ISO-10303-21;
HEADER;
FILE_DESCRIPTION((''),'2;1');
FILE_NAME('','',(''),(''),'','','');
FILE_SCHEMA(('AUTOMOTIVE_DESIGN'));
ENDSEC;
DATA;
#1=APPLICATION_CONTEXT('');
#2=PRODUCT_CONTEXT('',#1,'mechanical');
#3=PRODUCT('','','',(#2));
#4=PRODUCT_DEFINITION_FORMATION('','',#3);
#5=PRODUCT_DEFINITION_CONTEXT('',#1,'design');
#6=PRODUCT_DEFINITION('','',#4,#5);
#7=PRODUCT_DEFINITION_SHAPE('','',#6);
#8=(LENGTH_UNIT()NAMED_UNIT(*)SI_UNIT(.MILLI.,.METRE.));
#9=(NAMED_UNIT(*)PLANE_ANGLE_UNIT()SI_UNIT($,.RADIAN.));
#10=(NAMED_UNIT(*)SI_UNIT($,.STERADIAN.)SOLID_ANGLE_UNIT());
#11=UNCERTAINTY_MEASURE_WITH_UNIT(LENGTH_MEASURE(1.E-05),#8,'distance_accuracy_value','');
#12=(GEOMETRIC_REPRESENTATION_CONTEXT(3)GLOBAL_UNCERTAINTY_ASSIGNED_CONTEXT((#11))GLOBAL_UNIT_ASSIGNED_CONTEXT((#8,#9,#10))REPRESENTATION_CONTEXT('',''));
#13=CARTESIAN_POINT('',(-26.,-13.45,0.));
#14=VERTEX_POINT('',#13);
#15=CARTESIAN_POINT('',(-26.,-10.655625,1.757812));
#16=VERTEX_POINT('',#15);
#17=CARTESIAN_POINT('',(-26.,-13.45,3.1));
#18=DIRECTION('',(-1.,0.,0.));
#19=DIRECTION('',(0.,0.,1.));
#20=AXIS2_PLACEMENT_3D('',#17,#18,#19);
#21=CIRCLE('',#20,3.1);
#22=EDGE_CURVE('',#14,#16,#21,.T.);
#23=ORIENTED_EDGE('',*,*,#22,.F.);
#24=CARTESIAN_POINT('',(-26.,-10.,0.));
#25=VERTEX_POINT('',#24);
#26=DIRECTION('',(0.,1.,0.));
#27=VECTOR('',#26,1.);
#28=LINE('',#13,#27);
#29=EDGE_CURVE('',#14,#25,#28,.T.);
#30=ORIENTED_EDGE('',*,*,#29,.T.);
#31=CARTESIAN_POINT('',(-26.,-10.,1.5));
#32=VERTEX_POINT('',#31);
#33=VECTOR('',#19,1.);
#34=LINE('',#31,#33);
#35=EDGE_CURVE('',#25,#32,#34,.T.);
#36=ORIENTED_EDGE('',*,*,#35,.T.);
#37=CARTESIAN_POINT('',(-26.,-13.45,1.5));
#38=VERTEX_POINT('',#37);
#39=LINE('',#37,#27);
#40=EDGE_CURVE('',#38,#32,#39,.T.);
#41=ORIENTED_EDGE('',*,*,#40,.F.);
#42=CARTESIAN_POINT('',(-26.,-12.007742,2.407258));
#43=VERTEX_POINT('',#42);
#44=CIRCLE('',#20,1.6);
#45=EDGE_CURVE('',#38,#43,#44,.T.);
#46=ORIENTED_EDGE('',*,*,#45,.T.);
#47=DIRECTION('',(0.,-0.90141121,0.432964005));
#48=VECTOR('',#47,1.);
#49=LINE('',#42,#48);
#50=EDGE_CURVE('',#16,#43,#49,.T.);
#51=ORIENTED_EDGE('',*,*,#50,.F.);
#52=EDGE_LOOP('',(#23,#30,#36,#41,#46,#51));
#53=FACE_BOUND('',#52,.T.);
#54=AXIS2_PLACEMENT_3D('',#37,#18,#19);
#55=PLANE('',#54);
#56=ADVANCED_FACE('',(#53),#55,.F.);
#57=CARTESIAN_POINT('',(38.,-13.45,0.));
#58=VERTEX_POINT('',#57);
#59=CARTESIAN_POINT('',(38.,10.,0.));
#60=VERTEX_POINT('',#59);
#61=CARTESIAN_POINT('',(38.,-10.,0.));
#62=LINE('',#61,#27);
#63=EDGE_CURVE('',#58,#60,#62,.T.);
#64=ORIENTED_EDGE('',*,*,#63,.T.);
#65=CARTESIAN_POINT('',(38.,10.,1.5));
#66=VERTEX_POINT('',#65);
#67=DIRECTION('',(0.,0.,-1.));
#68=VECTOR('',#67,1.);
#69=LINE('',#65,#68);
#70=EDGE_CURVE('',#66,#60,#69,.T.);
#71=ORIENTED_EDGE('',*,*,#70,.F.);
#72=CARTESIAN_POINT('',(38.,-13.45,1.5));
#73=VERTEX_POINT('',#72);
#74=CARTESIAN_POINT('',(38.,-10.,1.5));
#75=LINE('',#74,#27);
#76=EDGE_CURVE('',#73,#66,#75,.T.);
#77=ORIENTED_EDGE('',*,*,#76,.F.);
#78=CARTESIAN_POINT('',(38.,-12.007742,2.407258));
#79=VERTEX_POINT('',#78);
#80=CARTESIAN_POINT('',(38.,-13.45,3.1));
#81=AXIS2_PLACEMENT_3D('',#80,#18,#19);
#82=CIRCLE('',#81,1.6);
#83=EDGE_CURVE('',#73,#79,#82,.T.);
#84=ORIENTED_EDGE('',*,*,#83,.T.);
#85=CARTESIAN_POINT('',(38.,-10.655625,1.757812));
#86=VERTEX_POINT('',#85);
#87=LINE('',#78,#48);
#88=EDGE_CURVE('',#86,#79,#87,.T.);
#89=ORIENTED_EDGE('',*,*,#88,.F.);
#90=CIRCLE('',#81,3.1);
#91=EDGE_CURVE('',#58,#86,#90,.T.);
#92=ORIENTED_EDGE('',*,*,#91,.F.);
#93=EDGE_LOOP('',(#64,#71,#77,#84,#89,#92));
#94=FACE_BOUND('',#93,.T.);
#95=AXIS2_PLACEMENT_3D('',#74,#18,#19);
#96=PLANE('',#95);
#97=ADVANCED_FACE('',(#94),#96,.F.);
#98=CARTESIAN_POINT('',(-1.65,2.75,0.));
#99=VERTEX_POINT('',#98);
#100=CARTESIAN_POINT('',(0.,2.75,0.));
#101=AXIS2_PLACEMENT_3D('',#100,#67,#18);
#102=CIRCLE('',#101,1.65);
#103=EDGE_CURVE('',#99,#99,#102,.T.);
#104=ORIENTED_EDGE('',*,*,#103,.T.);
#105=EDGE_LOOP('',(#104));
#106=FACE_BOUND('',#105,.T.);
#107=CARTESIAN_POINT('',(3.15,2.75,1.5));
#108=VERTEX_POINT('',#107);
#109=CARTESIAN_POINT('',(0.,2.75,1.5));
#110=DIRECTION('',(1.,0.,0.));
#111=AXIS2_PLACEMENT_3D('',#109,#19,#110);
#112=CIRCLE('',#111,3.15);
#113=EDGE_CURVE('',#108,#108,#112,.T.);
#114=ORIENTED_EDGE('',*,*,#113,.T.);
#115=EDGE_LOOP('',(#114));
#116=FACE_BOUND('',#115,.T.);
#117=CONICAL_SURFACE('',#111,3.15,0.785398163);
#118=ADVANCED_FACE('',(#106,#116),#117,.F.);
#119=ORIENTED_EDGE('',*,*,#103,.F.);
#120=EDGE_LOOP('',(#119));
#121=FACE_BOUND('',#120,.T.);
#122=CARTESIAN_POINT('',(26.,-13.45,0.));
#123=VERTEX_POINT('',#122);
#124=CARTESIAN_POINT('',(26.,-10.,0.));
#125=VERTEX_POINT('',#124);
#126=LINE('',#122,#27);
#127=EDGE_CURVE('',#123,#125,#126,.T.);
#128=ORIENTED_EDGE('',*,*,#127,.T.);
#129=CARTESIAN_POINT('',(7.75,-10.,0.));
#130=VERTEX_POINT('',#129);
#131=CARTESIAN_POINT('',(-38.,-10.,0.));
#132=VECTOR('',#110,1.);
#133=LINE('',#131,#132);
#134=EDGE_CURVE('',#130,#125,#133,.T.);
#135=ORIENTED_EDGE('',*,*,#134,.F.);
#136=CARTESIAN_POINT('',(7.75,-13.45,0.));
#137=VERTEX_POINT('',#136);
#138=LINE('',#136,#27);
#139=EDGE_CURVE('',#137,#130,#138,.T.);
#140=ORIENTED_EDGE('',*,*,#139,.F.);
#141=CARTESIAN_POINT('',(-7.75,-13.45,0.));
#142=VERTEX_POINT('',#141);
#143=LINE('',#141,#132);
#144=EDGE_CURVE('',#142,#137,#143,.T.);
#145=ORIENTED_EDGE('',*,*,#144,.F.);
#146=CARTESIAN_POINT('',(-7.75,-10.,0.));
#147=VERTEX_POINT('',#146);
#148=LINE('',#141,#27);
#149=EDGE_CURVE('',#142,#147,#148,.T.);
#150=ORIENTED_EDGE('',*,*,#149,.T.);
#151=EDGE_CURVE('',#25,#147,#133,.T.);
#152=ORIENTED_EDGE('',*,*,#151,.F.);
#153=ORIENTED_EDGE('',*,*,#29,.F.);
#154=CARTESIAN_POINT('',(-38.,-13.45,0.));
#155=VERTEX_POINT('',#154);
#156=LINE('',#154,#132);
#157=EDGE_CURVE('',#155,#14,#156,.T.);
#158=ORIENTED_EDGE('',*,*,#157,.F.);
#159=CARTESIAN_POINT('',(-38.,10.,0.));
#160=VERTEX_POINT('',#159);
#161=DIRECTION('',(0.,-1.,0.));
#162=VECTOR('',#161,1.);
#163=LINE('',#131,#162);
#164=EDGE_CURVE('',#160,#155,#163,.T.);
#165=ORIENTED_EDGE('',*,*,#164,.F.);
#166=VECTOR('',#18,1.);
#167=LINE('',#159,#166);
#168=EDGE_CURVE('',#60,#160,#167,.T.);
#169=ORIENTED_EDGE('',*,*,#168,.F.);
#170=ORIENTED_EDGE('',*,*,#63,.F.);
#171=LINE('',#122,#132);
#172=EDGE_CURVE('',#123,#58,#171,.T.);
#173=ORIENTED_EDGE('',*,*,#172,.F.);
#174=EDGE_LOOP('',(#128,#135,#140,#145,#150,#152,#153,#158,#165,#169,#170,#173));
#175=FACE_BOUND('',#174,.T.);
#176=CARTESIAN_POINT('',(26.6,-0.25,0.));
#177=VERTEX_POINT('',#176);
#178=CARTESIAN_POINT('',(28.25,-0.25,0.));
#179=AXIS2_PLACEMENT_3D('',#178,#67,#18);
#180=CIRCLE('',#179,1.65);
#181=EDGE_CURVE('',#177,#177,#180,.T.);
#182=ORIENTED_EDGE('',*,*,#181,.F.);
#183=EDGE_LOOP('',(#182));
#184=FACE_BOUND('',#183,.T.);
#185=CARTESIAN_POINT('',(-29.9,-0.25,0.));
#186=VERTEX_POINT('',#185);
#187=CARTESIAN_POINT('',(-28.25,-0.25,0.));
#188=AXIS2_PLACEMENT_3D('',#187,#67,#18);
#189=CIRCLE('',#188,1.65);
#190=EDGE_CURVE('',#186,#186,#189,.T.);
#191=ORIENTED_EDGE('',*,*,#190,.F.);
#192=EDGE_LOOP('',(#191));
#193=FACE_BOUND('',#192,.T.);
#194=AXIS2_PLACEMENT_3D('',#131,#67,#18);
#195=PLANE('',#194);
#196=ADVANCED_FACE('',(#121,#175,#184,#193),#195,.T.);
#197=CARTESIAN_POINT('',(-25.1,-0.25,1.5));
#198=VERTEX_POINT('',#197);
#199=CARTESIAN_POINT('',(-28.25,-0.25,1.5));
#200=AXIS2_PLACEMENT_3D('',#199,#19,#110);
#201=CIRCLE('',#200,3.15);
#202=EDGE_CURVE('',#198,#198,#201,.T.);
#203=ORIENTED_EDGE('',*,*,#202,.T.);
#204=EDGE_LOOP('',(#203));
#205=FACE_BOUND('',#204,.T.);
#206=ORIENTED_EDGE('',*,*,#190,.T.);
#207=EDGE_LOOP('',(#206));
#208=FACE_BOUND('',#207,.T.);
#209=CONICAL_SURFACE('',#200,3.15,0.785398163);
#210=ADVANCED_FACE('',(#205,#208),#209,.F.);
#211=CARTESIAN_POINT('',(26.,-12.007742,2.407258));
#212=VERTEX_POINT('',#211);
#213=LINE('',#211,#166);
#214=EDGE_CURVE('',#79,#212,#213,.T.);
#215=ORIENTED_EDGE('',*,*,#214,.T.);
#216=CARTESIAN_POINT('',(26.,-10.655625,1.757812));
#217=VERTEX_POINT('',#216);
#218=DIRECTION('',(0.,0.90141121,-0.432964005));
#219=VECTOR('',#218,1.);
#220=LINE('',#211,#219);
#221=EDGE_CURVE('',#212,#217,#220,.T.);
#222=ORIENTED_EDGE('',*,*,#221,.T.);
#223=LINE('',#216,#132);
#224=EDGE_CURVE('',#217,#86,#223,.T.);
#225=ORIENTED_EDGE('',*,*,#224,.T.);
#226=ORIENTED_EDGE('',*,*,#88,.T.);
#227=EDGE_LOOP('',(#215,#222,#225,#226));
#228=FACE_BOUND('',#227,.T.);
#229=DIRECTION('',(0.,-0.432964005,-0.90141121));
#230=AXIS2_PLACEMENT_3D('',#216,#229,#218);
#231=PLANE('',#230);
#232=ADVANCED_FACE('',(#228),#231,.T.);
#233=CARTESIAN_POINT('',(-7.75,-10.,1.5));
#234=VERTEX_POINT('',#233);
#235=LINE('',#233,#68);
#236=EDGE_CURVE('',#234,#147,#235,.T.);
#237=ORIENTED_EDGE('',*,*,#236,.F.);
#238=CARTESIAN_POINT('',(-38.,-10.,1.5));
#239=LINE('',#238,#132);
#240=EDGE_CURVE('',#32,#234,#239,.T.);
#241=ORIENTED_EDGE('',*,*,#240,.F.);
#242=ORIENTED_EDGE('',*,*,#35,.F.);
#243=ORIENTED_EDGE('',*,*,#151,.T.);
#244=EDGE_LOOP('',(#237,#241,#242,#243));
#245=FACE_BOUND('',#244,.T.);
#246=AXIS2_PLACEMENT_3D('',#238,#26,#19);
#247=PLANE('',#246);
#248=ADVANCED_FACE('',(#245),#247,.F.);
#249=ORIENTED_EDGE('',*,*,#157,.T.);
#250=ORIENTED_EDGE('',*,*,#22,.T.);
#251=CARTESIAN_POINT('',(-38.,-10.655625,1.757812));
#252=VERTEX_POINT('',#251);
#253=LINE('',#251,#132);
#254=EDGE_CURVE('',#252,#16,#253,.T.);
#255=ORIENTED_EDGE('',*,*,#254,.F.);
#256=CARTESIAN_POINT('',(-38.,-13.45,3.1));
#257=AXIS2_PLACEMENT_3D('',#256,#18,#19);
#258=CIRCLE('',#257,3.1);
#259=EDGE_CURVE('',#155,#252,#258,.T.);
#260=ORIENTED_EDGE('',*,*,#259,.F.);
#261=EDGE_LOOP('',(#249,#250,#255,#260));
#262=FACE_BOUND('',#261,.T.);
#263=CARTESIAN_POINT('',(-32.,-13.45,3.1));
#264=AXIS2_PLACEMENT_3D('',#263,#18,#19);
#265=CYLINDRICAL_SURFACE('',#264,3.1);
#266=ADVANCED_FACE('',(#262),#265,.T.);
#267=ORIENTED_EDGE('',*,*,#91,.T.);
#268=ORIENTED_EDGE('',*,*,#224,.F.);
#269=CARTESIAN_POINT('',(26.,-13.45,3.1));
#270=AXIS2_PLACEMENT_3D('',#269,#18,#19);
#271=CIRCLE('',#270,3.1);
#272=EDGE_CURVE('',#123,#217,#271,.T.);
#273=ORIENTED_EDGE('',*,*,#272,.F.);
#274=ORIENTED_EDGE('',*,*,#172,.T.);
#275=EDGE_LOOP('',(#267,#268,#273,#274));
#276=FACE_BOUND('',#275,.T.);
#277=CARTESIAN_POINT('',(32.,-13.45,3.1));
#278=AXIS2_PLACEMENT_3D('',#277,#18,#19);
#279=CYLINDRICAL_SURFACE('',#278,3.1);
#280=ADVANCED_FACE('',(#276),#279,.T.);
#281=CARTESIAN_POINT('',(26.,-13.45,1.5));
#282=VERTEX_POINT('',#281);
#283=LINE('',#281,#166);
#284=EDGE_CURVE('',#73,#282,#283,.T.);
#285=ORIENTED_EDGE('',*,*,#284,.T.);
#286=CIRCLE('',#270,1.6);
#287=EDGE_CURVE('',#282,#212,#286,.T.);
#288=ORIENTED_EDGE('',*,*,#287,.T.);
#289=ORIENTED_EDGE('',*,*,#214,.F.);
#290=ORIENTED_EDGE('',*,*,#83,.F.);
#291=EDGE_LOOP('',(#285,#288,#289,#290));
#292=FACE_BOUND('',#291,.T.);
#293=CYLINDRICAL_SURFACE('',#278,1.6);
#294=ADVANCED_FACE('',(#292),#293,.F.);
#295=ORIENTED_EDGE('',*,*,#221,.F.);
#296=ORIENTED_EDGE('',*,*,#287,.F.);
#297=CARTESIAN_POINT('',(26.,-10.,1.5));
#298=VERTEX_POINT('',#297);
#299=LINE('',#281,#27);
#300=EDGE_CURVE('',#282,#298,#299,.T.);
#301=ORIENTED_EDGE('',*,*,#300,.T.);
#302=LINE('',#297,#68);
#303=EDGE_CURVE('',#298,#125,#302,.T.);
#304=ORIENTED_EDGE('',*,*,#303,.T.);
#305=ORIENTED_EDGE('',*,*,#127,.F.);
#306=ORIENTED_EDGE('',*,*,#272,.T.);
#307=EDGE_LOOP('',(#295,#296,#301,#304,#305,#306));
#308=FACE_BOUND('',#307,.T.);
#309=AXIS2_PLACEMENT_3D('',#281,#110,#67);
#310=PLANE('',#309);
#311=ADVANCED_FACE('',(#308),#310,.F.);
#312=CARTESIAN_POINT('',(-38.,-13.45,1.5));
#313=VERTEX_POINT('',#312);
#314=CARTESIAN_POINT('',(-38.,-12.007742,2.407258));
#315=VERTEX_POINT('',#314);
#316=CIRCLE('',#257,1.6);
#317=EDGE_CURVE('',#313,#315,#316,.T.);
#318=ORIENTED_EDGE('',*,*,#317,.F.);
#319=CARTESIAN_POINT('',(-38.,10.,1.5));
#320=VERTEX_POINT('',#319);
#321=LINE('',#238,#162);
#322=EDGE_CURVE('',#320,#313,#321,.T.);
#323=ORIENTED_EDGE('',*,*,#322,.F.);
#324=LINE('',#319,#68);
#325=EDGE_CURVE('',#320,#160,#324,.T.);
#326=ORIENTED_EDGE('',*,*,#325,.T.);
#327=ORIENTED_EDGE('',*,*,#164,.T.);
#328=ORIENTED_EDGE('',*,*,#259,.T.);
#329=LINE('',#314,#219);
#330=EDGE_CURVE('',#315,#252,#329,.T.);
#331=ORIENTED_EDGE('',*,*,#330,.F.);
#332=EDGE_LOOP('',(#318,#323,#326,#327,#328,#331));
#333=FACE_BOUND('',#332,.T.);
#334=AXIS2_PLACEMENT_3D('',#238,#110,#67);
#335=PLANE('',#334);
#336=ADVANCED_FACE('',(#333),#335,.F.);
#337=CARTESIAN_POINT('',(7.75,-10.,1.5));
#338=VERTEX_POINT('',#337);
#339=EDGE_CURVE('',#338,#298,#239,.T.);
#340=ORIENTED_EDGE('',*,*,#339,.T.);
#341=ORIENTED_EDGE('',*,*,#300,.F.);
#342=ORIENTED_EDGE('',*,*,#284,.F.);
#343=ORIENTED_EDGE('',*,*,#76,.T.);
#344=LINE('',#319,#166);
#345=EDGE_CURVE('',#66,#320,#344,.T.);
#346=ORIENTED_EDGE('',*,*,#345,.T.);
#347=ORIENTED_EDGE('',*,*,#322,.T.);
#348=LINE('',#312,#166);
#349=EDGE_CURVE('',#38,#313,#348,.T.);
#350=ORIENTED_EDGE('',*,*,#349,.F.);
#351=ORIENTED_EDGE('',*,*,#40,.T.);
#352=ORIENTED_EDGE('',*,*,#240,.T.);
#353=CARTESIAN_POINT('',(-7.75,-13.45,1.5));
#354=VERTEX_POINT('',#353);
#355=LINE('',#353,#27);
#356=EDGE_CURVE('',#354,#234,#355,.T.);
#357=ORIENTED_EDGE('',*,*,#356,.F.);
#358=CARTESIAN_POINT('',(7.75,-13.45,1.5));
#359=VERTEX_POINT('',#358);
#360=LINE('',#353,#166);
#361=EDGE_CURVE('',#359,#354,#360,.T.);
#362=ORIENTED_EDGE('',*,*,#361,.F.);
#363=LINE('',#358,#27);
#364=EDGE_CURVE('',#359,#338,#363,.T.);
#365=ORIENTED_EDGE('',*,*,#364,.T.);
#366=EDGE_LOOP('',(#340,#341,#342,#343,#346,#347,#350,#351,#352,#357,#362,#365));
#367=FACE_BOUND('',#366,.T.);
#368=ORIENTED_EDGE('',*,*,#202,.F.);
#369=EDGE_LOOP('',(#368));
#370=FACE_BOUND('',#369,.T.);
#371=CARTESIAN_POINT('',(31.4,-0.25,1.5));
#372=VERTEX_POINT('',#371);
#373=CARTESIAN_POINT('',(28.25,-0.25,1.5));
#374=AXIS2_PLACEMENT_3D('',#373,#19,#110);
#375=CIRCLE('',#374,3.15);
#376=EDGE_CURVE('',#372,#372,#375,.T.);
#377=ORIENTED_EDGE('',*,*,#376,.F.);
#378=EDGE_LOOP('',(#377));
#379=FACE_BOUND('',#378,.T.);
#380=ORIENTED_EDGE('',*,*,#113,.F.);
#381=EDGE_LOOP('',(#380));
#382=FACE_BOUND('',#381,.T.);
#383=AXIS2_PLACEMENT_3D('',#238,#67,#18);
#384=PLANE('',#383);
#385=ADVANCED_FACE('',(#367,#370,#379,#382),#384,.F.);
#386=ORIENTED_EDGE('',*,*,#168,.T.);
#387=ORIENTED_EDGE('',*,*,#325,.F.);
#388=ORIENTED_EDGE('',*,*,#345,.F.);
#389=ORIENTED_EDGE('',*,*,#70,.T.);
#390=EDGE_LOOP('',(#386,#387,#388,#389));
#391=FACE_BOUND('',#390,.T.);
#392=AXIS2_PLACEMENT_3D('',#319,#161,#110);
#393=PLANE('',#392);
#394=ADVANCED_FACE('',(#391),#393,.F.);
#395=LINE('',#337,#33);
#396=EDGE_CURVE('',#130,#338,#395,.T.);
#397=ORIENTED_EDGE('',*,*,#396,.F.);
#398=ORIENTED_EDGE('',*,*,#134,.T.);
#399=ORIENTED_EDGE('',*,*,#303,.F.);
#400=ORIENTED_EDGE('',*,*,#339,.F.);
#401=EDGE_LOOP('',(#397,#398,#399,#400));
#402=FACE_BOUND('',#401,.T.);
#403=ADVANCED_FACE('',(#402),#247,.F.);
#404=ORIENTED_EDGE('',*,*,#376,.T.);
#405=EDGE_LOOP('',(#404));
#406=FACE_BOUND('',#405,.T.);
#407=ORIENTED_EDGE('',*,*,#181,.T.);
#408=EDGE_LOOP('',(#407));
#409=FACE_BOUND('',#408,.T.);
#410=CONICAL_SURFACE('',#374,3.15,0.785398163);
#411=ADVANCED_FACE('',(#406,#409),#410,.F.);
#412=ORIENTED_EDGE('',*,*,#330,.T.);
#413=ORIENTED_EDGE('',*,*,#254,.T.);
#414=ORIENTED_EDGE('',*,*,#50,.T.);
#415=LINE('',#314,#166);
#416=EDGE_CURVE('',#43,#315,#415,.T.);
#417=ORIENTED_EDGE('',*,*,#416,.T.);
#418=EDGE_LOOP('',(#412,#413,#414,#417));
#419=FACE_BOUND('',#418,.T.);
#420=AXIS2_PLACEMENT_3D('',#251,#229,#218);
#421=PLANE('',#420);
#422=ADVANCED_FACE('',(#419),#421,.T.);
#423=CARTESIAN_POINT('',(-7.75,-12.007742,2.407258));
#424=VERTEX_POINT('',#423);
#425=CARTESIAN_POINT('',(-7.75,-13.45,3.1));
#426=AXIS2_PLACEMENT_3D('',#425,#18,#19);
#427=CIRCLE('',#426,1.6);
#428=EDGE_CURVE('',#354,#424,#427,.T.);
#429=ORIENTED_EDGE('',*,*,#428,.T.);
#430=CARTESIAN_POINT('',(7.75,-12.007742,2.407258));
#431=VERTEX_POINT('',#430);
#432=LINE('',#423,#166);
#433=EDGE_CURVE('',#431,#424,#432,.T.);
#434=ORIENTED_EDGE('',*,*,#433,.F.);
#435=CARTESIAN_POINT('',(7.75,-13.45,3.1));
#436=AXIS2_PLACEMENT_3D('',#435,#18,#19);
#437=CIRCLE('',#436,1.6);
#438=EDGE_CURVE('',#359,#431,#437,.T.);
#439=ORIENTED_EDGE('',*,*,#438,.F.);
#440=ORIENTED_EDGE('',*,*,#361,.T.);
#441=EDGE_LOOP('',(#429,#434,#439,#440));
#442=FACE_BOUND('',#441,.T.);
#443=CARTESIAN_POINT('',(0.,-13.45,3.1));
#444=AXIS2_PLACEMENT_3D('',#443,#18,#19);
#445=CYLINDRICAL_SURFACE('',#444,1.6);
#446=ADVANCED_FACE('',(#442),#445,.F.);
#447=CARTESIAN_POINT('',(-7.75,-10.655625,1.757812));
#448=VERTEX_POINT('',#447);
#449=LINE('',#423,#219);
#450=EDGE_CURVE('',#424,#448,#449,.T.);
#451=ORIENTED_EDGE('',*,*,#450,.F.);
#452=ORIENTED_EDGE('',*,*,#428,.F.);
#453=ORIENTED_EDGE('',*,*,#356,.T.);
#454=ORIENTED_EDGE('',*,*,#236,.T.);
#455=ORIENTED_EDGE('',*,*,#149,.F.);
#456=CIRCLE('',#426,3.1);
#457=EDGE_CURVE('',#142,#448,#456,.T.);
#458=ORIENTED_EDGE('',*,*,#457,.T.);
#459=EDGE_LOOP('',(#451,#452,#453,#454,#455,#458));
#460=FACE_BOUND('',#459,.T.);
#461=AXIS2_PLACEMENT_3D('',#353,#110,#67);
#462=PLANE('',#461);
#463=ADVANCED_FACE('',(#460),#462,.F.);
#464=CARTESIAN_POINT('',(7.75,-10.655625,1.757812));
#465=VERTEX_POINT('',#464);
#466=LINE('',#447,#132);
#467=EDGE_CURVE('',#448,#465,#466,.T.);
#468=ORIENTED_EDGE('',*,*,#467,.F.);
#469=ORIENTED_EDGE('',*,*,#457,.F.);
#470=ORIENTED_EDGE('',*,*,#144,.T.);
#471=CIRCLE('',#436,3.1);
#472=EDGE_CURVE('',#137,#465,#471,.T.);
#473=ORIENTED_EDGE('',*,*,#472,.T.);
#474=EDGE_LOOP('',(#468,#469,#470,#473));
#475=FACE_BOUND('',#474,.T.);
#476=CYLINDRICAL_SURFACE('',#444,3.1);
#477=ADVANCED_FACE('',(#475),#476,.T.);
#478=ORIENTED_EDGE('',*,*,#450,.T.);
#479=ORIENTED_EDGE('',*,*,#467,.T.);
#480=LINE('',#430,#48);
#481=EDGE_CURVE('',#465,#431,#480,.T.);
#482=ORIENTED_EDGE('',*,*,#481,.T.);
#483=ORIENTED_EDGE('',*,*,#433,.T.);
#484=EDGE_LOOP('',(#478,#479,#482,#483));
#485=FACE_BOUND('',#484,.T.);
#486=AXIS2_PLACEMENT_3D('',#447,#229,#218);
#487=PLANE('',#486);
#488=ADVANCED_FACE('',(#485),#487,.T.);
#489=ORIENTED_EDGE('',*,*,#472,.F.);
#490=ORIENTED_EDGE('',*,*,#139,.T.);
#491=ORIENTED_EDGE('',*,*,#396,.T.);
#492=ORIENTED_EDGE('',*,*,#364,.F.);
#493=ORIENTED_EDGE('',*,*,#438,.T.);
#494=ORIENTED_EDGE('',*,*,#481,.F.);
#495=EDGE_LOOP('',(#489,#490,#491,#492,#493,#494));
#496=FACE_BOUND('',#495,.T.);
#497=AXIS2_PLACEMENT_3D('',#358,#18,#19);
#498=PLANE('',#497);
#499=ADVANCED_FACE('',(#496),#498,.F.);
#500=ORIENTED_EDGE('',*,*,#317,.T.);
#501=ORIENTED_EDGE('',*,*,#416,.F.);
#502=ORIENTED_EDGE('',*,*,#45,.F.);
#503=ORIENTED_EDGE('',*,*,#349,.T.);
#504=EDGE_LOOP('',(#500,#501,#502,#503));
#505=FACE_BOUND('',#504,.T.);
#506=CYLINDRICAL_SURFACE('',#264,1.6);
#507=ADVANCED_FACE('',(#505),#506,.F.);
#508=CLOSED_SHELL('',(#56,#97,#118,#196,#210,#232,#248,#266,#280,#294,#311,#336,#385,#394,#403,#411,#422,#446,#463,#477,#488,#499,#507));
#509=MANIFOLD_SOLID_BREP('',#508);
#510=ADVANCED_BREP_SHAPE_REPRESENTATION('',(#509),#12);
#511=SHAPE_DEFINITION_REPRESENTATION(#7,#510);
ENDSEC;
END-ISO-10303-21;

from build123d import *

# Parameters (mm, degrees)
SKETCH1_W                                    = 76
SKETCH1_H                                    = 20
EXTRUDE1_DEPTH                               = 1.5
SKETCH3_W                                    = 15.5
SKETCH3_H                                    = 1.5
SKETCH4_W                                    = 12
SKETCH4_H                                    = 1.5
SKETCH2_W                                    = 12
SKETCH2_H                                    = 1.5
CSK_FOR_M3_COUNTERSUNK_FLAT_HEAD_SCR_2_COUNT = 2
CSK_FOR_M3_COUNTERSUNK_FLAT_HEAD_SCR_2_PITCH = 28.408845453
CSK_FOR_M3_COUNTERSUNK_FLAT_HEAD_SCR_3_COUNT = 2
CSK_FOR_M3_COUNTERSUNK_FLAT_HEAD_SCR_3_PITCH = 56.5


with BuildPart() as part:
    # Sketch1 → Extrude1 (new body)
    with BuildSketch(Plane.XY):
        Rectangle(SKETCH1_W, SKETCH1_H)
    extrude(amount=EXTRUDE1_DEPTH)

    # Sweep1: sweep along a path in Sketch5
    with BuildLine(Plane(origin=(0, 0, 0), x_dir=(0, 0, -1), z_dir=(1, 0, 0))) as sweep1_path:
        Line((-0.75, -10), (-0.75, -13.45))
        ThreePointArc((-0.75, -13.45), (-5.089163608, -14.70129059), (-2.082534588, -11.331683655))
    # Sketch3 → Sweep1 (sweep)
    with BuildSketch(Plane.XZ.offset(10)):
        with Locations((0, 0.75)):
            Rectangle(SKETCH3_W, SKETCH3_H)
    sweep(path=sweep1_path.line)

    # Sweep2: sweep along a path in Sketch7
    with BuildLine(Plane(origin=(32, 0, 0), x_dir=(0, 0, -1), z_dir=(1, 0, 0))) as sweep2_path:
        Line((-0.75, -10), (-0.75, -13.45))
        ThreePointArc((-0.75, -13.45), (-5.089163608, -14.70129059), (-2.082534588, -11.331683655))
    # Sketch4 → Sweep2 (sweep)
    with BuildSketch(Plane.XZ.offset(10)):
        with Locations((32, 0.75)):
            Rectangle(SKETCH4_W, SKETCH4_H)
    sweep(path=sweep2_path.line)

    # Sweep3: sweep along a path in Sketch6
    with BuildLine(Plane(origin=(-32, 0, 0), x_dir=(0, 0, -1), z_dir=(1, 0, 0))) as sweep3_path:
        Line((-0.75, -10), (-0.75, -13.45))
        ThreePointArc((-0.75, -13.45), (-5.089163608, -14.70129059), (-2.082534588, -11.331683655))
    # Sketch2 → Sweep3 (sweep)
    with BuildSketch(Plane.XZ.offset(10)):
        with Locations((-32, 0.75)):
            Rectangle(SKETCH2_W, SKETCH2_H)
    sweep(path=sweep3_path.line)

    # Sketch9 → CSK for M3 Countersunk Flat Head Screw1 (revolve, cut)
    with BuildSketch(Plane(origin=(28.25, -0.25, 1.5), x_dir=(0, -1, 0), z_dir=(1, 0, 0))):
        Polygon((0, 0), (0, 1.50005), (1.6, 1.50005), (1.6, 1.55), (3.15, 0), align=None)
    csk_for_m3_countersunk_flat_head_screw1 = revolve(axis=Axis((28.25, -0.25, 7.85), (0, 0, -1)), mode=Mode.SUBTRACT)

    # CSK for M3 Countersunk Flat Head Scr 2: CSK for M3 Countersunk Flat Head Screw1 ×2
    with Locations(*[Vector(-0.994408591727349, 0.10560091239582468, 0) * (i * CSK_FOR_M3_COUNTERSUNK_FLAT_HEAD_SCR_2_PITCH) for i in range(1, CSK_FOR_M3_COUNTERSUNK_FLAT_HEAD_SCR_2_COUNT)]):
        add(csk_for_m3_countersunk_flat_head_screw1, mode=Mode.SUBTRACT)

    # CSK for M3 Countersunk Flat Head Scr 3: CSK for M3 Countersunk Flat Head Screw1 ×2
    with Locations(*[(-i * CSK_FOR_M3_COUNTERSUNK_FLAT_HEAD_SCR_3_PITCH, 0, 0) for i in range(1, CSK_FOR_M3_COUNTERSUNK_FLAT_HEAD_SCR_3_COUNT)]):
        add(csk_for_m3_countersunk_flat_head_screw1, mode=Mode.SUBTRACT)


solid = part.part
